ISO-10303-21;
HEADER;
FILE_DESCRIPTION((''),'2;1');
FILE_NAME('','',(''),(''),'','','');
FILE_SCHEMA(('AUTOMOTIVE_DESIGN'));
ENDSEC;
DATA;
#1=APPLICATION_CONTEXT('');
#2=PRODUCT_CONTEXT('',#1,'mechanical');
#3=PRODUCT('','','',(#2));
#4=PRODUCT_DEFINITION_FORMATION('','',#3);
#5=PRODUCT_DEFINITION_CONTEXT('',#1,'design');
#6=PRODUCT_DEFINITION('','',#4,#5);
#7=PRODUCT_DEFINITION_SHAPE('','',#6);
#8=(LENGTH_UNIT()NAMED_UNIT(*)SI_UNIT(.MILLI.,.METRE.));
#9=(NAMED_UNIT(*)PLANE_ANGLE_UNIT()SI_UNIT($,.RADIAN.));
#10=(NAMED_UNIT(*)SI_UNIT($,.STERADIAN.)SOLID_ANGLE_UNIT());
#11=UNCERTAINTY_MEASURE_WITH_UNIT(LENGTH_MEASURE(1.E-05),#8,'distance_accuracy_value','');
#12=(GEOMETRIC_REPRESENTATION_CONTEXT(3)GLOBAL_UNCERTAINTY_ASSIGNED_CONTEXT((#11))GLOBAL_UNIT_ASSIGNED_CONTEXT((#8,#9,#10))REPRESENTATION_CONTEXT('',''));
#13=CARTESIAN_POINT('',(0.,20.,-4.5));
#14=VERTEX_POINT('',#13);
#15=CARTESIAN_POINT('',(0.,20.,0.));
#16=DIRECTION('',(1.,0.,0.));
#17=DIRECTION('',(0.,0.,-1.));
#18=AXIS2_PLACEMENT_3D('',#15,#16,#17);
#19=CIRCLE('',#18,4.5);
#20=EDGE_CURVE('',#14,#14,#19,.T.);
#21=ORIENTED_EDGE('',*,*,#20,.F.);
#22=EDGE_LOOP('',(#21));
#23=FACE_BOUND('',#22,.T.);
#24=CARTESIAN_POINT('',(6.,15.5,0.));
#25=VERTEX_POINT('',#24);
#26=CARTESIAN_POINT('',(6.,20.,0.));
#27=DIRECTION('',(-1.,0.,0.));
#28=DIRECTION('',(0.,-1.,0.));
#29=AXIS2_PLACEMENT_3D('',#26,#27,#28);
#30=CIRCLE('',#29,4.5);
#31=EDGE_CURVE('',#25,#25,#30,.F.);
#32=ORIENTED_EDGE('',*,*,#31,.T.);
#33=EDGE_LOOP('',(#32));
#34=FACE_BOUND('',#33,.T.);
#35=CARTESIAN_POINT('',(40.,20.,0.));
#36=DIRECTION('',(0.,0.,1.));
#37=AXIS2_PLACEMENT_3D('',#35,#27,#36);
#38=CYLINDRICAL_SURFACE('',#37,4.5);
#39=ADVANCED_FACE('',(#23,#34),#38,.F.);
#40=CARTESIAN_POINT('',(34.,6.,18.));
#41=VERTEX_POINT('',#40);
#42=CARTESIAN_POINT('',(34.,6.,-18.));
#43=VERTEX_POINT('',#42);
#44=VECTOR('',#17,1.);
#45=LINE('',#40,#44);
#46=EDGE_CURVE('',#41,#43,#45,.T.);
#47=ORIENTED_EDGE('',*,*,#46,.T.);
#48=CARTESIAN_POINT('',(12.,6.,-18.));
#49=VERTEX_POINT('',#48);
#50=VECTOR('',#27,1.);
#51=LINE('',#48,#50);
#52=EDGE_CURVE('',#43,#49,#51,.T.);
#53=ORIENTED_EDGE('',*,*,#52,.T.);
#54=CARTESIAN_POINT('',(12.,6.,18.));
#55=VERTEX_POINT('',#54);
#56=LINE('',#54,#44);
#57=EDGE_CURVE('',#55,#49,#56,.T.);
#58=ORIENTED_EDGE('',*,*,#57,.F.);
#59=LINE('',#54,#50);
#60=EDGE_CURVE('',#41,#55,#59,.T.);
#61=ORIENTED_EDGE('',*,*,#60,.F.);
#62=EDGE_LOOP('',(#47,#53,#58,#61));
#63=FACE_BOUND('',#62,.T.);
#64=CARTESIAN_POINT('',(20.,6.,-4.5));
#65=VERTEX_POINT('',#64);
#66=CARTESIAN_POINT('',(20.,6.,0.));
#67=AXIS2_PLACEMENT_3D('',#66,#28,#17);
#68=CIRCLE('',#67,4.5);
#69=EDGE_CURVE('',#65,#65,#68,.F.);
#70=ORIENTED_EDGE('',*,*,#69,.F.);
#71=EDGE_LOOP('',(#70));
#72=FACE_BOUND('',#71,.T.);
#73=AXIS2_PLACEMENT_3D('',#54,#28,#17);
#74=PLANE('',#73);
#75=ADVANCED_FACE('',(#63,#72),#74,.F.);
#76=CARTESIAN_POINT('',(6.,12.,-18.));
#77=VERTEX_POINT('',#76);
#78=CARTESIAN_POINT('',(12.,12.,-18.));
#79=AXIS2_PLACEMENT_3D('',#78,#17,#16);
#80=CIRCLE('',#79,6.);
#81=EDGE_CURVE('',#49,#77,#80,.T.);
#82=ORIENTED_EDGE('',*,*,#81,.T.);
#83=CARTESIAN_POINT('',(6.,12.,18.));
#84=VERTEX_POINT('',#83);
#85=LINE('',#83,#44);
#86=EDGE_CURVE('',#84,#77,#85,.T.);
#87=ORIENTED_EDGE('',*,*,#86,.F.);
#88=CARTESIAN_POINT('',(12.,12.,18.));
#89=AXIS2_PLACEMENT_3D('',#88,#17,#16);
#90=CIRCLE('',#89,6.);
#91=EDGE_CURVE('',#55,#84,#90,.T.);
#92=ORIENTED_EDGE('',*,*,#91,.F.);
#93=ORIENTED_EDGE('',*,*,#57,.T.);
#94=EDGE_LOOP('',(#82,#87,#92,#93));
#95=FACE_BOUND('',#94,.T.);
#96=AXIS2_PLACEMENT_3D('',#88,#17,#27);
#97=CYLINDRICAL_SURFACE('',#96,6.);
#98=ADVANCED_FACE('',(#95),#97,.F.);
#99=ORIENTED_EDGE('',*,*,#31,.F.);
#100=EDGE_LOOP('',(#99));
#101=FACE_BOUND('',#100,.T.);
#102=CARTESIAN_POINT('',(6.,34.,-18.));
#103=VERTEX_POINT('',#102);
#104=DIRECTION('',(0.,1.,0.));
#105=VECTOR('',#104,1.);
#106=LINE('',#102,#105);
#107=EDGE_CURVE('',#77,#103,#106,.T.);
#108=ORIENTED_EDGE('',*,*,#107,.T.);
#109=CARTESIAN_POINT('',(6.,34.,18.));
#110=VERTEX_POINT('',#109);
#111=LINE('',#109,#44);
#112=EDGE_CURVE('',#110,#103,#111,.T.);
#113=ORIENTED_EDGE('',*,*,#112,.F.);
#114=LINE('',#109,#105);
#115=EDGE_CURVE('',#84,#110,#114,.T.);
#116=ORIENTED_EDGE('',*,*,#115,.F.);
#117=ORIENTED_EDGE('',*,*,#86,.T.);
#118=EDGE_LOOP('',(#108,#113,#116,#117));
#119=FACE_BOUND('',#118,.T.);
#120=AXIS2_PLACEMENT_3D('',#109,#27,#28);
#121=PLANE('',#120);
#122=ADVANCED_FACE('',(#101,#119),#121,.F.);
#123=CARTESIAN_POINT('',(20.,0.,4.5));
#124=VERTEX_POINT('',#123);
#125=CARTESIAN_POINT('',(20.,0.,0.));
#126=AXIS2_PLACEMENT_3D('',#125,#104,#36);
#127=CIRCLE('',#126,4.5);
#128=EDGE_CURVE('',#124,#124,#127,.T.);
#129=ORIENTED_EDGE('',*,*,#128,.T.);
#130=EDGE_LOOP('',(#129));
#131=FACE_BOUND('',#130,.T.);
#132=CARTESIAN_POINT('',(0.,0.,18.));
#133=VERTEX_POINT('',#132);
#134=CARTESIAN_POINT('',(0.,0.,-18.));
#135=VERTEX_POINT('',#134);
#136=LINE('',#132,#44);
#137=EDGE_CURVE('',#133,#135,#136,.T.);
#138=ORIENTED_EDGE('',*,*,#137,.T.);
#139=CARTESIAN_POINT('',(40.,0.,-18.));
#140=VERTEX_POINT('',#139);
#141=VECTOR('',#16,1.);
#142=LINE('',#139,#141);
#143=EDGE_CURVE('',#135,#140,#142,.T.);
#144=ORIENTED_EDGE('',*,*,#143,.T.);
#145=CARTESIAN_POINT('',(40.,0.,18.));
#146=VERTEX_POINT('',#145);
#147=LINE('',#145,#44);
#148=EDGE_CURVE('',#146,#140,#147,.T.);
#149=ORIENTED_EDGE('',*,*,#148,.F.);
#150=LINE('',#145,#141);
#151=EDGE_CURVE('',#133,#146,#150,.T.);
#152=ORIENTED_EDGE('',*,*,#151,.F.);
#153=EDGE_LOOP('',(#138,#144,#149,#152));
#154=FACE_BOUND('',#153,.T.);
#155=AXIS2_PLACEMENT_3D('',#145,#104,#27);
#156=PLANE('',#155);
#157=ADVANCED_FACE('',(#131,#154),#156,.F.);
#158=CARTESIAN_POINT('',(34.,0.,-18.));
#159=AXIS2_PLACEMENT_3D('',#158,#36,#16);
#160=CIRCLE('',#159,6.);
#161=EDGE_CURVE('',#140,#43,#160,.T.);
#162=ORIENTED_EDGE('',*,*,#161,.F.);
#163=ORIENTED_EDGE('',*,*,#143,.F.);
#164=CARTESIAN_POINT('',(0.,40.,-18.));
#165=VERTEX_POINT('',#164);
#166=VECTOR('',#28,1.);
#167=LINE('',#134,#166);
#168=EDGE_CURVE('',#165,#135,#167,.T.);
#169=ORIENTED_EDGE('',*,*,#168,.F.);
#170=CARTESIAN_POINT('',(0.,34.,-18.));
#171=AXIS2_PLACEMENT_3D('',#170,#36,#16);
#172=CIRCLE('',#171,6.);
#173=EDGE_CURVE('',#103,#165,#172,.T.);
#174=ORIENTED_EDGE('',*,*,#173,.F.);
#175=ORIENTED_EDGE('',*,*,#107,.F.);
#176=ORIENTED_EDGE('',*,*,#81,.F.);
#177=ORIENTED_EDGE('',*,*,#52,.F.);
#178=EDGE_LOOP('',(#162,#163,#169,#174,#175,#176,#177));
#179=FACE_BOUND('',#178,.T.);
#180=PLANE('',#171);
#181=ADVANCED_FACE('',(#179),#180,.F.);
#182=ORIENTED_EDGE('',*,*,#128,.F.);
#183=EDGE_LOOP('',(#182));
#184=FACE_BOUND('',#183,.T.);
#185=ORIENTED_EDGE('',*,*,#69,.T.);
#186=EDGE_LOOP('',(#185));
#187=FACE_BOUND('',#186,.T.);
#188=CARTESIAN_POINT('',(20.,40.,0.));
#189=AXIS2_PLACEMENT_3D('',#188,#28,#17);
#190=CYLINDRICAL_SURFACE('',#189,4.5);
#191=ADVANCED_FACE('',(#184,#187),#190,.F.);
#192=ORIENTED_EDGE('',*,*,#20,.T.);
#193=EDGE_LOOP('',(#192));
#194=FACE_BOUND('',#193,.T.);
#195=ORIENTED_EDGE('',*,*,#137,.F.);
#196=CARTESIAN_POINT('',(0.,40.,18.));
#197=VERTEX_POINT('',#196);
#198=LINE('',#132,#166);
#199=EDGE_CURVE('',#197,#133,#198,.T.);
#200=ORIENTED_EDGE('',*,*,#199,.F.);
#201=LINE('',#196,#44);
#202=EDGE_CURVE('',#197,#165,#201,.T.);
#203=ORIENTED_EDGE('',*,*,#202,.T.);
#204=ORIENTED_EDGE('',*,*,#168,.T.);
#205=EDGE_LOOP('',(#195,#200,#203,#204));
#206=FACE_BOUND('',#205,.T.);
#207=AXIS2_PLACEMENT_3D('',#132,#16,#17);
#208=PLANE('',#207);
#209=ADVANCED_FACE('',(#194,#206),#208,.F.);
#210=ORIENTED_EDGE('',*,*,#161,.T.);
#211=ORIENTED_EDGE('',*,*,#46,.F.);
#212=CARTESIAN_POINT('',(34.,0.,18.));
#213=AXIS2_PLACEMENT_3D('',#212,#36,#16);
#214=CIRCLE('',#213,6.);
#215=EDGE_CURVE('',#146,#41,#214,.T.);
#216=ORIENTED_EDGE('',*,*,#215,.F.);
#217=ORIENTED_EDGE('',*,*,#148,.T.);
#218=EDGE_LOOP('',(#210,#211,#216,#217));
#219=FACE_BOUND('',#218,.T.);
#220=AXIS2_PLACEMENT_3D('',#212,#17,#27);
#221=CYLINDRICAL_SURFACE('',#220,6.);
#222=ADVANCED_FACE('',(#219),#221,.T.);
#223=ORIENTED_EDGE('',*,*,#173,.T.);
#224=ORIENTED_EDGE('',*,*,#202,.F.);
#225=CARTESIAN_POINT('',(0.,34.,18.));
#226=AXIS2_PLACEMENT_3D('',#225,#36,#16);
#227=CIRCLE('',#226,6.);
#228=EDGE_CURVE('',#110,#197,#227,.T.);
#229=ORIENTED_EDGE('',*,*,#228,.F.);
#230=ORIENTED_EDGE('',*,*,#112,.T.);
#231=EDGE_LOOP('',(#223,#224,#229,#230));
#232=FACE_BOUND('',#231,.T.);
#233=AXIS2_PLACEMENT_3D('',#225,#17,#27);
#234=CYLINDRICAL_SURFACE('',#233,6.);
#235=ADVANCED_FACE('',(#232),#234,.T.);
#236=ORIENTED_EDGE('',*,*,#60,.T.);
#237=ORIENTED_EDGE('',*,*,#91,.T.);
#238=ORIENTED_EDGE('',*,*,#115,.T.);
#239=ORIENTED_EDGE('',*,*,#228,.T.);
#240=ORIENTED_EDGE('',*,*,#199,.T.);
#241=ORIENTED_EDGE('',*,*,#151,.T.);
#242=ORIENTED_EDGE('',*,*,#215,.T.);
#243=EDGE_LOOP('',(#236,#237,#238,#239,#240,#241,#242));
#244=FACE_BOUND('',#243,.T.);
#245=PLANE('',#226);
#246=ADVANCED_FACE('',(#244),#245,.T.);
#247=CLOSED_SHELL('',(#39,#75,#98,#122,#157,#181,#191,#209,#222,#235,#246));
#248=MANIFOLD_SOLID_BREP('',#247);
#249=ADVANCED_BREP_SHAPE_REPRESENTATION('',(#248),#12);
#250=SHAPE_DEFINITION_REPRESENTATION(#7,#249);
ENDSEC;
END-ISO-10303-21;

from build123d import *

# Parameters (mm, degrees)
BOSS_EXTRUDE1_DEPTH = 18
SKETCH2_R           = 4.5
CUT_EXTRUDE1_DEPTH  = 41
SKETCH3_R           = 4.5
CUT_EXTRUDE2_DEPTH  = 41


with BuildPart() as part:
    # Sketch1 → Boss-Extrude1 (new body, symmetric)
    with BuildSketch(Plane.XY):
        with BuildLine():
            Line((0, 0), (0, 40))
            ThreePointArc((0, 40), (4.242640687, 38.242640687), (6, 34))
            Line((6, 34), (6, 12))
            ThreePointArc((6, 12), (7.757359313, 7.757359313), (12, 6))
            Line((12, 6), (34, 6))
            ThreePointArc((34, 6), (38.242640687, 4.242640687), (40, 0))
            Line((40, 0), (0, 0))
        make_face()
    extrude(amount=BOSS_EXTRUDE1_DEPTH, both=True)

    # Sketch2 → Cut-Extrude1 (cut, through all)
    with BuildSketch(Plane(origin=(0, 0, 0), x_dir=(1, 0, 0), z_dir=(0, 1, 0))):
        with Locations((20, 0)):
            Circle(SKETCH2_R)
    extrude(amount=CUT_EXTRUDE1_DEPTH, mode=Mode.SUBTRACT)

    # Sketch3 → Cut-Extrude2 (cut, through all)
    with BuildSketch(Plane(origin=(0, 0, 0), x_dir=(0, 0, -1), z_dir=(1, 0, 0))):
        with Locations((0, 20)):
            Circle(SKETCH3_R)
    extrude(amount=CUT_EXTRUDE2_DEPTH, mode=Mode.SUBTRACT)


solid = part.part
